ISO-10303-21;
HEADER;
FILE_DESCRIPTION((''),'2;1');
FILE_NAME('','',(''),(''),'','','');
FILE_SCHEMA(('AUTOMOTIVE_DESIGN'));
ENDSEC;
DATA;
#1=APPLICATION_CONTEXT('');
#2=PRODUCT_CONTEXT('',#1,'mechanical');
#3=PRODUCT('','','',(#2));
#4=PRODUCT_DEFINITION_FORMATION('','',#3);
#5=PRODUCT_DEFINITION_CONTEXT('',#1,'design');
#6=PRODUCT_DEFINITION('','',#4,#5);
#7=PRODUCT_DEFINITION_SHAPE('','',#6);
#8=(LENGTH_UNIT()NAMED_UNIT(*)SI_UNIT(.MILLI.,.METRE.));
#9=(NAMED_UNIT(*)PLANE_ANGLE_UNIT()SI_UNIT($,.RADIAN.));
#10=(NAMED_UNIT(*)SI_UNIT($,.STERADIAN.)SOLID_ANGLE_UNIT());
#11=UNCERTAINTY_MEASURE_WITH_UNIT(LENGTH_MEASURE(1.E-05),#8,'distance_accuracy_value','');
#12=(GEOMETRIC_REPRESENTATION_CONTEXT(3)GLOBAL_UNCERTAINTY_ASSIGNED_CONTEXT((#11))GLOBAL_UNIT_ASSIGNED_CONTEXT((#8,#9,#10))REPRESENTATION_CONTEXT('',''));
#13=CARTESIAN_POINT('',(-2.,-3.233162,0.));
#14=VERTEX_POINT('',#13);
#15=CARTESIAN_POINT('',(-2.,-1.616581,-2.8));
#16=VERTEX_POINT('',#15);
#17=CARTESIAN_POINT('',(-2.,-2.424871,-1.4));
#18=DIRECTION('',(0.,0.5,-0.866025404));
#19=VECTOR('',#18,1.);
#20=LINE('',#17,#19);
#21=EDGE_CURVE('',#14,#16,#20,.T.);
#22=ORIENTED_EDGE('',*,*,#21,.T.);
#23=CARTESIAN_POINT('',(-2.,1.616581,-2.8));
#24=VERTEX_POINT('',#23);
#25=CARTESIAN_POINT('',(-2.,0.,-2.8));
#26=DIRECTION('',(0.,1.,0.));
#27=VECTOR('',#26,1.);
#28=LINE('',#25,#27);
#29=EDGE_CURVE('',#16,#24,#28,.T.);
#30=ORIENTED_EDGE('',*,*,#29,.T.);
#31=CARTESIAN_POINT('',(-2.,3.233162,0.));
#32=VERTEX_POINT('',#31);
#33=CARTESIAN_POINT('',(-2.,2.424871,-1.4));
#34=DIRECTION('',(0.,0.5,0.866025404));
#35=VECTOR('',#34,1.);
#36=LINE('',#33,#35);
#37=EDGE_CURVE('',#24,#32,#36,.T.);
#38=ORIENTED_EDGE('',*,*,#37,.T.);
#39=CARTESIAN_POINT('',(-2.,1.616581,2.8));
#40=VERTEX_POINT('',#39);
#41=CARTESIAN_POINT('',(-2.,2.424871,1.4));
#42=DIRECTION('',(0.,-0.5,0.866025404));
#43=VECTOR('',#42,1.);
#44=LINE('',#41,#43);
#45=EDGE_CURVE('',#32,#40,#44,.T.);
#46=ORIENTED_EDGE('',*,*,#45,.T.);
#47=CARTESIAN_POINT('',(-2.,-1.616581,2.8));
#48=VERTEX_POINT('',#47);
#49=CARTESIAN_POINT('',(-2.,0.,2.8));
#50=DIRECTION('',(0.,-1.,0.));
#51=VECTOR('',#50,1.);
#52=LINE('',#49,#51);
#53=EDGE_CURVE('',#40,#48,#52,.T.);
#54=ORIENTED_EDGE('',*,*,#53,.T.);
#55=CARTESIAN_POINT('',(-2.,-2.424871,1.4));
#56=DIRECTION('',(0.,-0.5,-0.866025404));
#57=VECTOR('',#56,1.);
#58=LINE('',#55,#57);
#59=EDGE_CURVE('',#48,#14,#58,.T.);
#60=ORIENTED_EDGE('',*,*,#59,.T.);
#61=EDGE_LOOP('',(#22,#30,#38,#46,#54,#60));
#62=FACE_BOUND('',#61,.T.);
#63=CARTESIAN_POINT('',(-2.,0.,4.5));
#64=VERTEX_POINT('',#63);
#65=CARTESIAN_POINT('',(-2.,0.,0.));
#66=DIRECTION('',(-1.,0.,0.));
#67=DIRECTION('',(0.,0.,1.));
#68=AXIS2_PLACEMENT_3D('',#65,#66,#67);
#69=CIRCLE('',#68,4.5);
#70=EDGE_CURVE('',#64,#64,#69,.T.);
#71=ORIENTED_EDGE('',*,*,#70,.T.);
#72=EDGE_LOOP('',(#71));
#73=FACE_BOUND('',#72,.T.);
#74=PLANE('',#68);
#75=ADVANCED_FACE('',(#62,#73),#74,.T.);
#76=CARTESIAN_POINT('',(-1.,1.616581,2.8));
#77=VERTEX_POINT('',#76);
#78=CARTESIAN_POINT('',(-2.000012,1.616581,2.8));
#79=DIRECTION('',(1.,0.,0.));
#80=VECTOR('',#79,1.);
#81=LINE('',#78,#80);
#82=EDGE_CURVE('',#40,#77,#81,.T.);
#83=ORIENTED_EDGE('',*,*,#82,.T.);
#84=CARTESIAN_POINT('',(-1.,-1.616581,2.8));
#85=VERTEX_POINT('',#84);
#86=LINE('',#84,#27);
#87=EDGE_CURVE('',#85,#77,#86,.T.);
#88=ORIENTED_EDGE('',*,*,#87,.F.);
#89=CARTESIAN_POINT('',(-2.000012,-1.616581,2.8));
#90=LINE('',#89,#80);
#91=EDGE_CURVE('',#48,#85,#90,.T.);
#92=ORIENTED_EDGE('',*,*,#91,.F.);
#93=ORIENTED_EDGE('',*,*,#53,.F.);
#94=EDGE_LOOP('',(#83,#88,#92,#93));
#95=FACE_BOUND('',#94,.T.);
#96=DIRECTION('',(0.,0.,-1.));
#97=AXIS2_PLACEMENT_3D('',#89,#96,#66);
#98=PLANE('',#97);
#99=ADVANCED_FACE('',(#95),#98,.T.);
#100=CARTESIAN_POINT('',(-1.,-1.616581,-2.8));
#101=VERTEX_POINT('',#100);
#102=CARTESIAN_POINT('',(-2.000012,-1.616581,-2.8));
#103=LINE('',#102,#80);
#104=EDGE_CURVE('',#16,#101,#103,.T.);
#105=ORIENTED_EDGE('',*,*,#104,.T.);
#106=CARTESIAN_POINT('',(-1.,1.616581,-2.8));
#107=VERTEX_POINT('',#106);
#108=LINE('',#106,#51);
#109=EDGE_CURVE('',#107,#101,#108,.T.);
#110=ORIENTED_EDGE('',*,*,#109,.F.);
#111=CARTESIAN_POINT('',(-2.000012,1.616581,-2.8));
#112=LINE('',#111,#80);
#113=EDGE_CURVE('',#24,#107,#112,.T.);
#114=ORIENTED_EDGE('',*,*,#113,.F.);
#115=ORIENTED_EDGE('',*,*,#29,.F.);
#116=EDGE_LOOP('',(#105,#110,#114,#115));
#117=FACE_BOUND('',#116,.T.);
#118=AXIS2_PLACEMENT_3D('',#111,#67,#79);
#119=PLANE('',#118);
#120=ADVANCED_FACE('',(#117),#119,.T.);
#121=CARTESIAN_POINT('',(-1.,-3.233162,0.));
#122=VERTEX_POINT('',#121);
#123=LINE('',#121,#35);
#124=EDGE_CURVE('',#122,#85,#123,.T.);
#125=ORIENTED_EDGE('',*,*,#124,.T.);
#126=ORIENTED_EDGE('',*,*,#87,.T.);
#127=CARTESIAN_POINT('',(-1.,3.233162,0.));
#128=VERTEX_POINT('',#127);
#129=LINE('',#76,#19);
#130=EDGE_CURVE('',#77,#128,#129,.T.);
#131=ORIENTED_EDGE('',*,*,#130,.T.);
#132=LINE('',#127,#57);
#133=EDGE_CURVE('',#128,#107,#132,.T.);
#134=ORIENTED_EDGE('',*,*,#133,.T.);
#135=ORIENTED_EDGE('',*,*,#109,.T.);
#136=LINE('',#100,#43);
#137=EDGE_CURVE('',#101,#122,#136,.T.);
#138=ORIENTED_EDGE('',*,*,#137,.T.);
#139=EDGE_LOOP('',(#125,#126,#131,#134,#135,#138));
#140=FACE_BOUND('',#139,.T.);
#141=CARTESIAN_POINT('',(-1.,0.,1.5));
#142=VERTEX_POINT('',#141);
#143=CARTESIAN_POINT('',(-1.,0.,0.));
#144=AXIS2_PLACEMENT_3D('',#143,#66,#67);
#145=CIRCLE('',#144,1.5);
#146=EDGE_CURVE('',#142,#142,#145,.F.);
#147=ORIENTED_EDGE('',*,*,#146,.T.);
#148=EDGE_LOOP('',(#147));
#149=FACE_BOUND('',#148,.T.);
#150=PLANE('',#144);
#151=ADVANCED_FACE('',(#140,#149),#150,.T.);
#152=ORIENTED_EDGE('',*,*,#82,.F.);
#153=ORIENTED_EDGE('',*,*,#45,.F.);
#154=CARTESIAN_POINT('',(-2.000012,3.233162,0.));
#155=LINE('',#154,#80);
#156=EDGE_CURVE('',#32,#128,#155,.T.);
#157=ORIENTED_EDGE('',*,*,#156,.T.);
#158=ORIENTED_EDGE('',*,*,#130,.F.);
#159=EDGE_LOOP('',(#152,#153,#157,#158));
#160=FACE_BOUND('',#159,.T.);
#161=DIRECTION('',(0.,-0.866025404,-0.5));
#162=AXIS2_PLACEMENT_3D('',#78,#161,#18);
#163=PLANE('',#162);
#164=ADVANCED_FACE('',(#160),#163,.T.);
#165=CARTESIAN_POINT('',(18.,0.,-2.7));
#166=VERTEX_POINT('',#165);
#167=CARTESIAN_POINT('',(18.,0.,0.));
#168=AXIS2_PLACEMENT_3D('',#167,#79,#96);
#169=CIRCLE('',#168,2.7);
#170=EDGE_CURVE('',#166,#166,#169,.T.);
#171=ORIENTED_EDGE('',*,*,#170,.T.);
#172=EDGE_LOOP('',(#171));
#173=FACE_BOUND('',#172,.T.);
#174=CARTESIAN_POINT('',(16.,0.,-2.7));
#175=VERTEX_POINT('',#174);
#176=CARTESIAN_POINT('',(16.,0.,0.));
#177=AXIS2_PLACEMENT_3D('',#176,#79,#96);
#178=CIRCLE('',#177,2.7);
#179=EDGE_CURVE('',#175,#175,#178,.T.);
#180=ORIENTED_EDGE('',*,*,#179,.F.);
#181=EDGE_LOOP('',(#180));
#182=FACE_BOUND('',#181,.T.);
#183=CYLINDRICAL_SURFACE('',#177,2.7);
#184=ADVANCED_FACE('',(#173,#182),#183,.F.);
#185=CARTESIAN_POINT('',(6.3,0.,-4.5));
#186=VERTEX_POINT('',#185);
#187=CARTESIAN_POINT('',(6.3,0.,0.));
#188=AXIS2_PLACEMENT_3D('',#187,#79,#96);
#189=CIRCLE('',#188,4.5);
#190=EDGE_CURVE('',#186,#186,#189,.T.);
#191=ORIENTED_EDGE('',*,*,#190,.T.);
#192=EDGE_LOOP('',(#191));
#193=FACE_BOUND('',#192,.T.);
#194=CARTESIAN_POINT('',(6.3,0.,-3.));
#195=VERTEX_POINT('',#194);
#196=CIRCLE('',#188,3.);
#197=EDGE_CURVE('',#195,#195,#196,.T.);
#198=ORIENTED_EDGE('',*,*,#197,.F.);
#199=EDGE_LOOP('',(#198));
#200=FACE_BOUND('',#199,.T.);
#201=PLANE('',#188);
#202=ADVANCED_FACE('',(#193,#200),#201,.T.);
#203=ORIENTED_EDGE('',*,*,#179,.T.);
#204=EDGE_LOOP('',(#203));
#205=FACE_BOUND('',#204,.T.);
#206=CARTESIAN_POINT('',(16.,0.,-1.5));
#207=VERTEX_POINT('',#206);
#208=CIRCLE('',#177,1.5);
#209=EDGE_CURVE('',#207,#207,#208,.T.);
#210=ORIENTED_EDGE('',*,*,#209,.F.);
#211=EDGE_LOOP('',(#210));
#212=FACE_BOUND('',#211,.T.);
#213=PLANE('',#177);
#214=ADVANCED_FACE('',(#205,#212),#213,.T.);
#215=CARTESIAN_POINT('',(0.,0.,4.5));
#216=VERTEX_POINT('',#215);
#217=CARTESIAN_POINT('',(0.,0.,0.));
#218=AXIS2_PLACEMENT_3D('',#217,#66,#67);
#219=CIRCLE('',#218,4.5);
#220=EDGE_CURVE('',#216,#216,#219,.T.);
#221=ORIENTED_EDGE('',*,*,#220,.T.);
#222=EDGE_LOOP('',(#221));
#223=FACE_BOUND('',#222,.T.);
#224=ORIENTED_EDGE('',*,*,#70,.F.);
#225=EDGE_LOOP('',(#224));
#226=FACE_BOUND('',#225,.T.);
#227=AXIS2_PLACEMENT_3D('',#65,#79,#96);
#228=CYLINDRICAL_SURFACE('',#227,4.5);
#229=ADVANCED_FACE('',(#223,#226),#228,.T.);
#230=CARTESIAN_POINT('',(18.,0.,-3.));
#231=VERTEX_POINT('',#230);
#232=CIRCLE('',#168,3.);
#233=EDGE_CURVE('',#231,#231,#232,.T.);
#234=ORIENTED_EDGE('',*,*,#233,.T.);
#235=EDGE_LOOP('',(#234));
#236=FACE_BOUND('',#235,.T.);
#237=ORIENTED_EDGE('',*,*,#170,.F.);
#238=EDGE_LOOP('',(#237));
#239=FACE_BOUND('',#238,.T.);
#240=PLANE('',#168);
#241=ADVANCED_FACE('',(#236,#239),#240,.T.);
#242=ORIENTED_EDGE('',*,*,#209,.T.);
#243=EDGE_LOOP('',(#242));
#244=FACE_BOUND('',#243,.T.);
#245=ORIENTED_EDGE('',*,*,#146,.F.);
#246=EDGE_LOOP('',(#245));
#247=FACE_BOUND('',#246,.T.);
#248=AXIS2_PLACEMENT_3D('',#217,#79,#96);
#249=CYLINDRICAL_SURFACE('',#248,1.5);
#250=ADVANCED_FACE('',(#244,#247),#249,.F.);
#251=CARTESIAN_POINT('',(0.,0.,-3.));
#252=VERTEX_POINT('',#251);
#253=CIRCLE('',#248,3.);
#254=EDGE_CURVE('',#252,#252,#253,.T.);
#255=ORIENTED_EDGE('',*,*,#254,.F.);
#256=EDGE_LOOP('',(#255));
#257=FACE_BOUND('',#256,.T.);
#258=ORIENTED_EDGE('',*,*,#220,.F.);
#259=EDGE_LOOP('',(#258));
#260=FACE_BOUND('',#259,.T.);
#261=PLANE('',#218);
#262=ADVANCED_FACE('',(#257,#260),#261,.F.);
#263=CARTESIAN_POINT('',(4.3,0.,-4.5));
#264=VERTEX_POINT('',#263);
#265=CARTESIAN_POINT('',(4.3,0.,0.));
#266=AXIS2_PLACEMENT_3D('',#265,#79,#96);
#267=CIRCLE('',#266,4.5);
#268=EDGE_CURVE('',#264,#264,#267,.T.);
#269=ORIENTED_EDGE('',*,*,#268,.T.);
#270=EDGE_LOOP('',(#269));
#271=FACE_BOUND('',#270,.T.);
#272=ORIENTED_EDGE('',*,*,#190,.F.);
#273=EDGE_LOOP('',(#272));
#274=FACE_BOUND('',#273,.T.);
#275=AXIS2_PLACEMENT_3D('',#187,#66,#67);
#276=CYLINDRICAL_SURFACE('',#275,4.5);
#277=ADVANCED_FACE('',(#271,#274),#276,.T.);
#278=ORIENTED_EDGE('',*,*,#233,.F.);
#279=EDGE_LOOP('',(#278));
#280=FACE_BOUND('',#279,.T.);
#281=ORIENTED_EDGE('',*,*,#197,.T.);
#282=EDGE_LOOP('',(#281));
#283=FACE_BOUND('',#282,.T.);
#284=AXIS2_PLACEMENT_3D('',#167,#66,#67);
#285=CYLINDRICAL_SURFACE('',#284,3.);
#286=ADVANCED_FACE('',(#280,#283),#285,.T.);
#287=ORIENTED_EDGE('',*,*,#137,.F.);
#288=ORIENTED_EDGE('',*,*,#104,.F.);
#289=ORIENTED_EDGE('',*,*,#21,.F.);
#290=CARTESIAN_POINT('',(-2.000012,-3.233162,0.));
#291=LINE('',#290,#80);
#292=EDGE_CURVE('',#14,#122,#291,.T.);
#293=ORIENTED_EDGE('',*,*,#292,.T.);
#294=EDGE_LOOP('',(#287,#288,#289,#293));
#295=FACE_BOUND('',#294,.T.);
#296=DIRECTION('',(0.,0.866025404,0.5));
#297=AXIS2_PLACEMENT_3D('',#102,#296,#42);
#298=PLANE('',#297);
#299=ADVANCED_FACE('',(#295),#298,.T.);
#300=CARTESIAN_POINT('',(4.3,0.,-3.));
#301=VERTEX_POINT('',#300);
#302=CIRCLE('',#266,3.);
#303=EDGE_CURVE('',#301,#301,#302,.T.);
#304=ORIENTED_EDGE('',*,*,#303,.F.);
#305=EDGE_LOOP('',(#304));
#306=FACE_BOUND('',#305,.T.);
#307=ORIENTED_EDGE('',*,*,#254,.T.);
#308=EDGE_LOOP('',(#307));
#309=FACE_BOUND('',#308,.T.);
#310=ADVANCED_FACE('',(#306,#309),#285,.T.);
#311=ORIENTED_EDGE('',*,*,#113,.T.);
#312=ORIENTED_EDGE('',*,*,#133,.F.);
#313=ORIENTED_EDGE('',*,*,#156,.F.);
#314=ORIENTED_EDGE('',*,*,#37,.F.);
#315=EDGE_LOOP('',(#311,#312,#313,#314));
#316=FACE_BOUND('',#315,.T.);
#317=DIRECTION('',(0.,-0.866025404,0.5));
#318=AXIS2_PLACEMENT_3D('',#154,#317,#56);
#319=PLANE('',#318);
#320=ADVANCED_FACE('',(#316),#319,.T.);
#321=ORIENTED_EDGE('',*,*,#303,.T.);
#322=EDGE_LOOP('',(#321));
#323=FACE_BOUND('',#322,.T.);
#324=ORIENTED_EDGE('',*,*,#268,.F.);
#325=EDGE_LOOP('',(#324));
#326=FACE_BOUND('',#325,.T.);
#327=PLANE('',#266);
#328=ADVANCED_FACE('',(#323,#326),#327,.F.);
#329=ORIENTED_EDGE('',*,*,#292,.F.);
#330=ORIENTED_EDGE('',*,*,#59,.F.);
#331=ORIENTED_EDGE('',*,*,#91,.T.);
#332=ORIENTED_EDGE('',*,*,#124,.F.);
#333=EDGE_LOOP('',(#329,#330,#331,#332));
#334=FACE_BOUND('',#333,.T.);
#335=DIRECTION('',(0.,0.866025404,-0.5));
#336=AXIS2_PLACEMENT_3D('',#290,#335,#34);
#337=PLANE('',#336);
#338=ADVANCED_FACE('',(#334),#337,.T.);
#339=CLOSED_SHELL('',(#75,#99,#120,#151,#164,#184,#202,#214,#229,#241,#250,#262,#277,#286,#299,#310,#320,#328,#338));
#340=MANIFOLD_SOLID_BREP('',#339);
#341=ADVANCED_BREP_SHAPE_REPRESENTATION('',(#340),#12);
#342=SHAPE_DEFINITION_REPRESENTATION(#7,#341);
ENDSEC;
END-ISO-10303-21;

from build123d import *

# Parameters (mm, degrees)
SKETCH1_R               = 3
BOSS_EXTRUDE1_DEPTH     = 18
SKETCH2_R               = 2.7
CUT_EXTRUDE1_DEPTH      = 2
CUT_EXTRUDE2_DEPTH      = 17.552945357
CUT_EXTRUDE2_DEPTH_BACK = 17.552945357
SKETCH3_R               = 1.5
SKETCH4_R               = 4.5
BOSS_EXTRUDE2_DEPTH     = 2
BOSS_EXTRUDE3_START     = -6.3
SKETCH4_3_R             = 4.5
BOSS_EXTRUDE3_DEPTH     = 2
CUT_EXTRUDE3_DEPTH      = 21.988091862
CUT_EXTRUDE3_DEPTH_BACK = 21.988091862
SKETCH5_R               = 1.5
CUT_EXTRUDE4_DEPTH      = 21.988091862
CUT_EXTRUDE4_DEPTH_BACK = 1


with BuildPart() as part:
    # Sketch1 → Boss-Extrude1 (new body)
    with BuildSketch(Plane(origin=(0, 0, 0), x_dir=(0, 0, -1), z_dir=(1, 0, 0))):
        Circle(SKETCH1_R)
    extrude(amount=BOSS_EXTRUDE1_DEPTH)

    # Sketch2 → Cut-Extrude1 (cut)
    with BuildSketch(Plane(origin=(18, 0, 0), x_dir=(0, 0, -1), z_dir=(1, 0, 0))):
        Circle(SKETCH2_R)
    extrude(amount=-CUT_EXTRUDE1_DEPTH, mode=Mode.SUBTRACT)

    # Sketch3 → Cut-Extrude2 (cut, two sides: drawn at the far end of the back side and taken through both)
    with BuildSketch(Plane(origin=(16, 0, 0), x_dir=(0, 0, -1), z_dir=(1, 0, 0)).offset(-CUT_EXTRUDE2_DEPTH_BACK)):
        Circle(SKETCH3_R)
    extrude(amount=CUT_EXTRUDE2_DEPTH + CUT_EXTRUDE2_DEPTH_BACK, mode=Mode.SUBTRACT)

    # Sketch4 → Boss-Extrude2 (add)
    with BuildSketch(Plane.ZY):
        Circle(SKETCH4_R)
    extrude(amount=BOSS_EXTRUDE2_DEPTH)

    # Sketch4<3> → Boss-Extrude3 (add)
    with BuildSketch(Plane.ZY.offset(BOSS_EXTRUDE3_START)):
        Circle(SKETCH4_3_R)
    extrude(amount=BOSS_EXTRUDE3_DEPTH)

    # Sketch5 → Cut-Extrude3 (cut, two sides: drawn at the far end of the back side and taken through both)
    with BuildSketch(Plane.ZY.offset(2).offset(-CUT_EXTRUDE3_DEPTH_BACK)):
        with Locations(Location((0, 0, 0), (0, 0, 180))):
            Circle(SKETCH5_R)
    extrude(amount=CUT_EXTRUDE3_DEPTH + CUT_EXTRUDE3_DEPTH_BACK, mode=Mode.SUBTRACT)

    # Sketch6 → Cut-Extrude4 (cut, two sides: drawn at the far end of the back side and taken through both)
    with BuildSketch(Plane.ZY.offset(2).offset(-CUT_EXTRUDE4_DEPTH_BACK)):
        Polygon((2.8, -1.616580754), (2.8, 1.616580754), (0, 3.233161507), (-2.8, 1.616580754), (-2.8, -1.616580754), (0, -3.233161507), align=None)
    extrude(amount=CUT_EXTRUDE4_DEPTH + CUT_EXTRUDE4_DEPTH_BACK, mode=Mode.SUBTRACT)


solid = part.part
